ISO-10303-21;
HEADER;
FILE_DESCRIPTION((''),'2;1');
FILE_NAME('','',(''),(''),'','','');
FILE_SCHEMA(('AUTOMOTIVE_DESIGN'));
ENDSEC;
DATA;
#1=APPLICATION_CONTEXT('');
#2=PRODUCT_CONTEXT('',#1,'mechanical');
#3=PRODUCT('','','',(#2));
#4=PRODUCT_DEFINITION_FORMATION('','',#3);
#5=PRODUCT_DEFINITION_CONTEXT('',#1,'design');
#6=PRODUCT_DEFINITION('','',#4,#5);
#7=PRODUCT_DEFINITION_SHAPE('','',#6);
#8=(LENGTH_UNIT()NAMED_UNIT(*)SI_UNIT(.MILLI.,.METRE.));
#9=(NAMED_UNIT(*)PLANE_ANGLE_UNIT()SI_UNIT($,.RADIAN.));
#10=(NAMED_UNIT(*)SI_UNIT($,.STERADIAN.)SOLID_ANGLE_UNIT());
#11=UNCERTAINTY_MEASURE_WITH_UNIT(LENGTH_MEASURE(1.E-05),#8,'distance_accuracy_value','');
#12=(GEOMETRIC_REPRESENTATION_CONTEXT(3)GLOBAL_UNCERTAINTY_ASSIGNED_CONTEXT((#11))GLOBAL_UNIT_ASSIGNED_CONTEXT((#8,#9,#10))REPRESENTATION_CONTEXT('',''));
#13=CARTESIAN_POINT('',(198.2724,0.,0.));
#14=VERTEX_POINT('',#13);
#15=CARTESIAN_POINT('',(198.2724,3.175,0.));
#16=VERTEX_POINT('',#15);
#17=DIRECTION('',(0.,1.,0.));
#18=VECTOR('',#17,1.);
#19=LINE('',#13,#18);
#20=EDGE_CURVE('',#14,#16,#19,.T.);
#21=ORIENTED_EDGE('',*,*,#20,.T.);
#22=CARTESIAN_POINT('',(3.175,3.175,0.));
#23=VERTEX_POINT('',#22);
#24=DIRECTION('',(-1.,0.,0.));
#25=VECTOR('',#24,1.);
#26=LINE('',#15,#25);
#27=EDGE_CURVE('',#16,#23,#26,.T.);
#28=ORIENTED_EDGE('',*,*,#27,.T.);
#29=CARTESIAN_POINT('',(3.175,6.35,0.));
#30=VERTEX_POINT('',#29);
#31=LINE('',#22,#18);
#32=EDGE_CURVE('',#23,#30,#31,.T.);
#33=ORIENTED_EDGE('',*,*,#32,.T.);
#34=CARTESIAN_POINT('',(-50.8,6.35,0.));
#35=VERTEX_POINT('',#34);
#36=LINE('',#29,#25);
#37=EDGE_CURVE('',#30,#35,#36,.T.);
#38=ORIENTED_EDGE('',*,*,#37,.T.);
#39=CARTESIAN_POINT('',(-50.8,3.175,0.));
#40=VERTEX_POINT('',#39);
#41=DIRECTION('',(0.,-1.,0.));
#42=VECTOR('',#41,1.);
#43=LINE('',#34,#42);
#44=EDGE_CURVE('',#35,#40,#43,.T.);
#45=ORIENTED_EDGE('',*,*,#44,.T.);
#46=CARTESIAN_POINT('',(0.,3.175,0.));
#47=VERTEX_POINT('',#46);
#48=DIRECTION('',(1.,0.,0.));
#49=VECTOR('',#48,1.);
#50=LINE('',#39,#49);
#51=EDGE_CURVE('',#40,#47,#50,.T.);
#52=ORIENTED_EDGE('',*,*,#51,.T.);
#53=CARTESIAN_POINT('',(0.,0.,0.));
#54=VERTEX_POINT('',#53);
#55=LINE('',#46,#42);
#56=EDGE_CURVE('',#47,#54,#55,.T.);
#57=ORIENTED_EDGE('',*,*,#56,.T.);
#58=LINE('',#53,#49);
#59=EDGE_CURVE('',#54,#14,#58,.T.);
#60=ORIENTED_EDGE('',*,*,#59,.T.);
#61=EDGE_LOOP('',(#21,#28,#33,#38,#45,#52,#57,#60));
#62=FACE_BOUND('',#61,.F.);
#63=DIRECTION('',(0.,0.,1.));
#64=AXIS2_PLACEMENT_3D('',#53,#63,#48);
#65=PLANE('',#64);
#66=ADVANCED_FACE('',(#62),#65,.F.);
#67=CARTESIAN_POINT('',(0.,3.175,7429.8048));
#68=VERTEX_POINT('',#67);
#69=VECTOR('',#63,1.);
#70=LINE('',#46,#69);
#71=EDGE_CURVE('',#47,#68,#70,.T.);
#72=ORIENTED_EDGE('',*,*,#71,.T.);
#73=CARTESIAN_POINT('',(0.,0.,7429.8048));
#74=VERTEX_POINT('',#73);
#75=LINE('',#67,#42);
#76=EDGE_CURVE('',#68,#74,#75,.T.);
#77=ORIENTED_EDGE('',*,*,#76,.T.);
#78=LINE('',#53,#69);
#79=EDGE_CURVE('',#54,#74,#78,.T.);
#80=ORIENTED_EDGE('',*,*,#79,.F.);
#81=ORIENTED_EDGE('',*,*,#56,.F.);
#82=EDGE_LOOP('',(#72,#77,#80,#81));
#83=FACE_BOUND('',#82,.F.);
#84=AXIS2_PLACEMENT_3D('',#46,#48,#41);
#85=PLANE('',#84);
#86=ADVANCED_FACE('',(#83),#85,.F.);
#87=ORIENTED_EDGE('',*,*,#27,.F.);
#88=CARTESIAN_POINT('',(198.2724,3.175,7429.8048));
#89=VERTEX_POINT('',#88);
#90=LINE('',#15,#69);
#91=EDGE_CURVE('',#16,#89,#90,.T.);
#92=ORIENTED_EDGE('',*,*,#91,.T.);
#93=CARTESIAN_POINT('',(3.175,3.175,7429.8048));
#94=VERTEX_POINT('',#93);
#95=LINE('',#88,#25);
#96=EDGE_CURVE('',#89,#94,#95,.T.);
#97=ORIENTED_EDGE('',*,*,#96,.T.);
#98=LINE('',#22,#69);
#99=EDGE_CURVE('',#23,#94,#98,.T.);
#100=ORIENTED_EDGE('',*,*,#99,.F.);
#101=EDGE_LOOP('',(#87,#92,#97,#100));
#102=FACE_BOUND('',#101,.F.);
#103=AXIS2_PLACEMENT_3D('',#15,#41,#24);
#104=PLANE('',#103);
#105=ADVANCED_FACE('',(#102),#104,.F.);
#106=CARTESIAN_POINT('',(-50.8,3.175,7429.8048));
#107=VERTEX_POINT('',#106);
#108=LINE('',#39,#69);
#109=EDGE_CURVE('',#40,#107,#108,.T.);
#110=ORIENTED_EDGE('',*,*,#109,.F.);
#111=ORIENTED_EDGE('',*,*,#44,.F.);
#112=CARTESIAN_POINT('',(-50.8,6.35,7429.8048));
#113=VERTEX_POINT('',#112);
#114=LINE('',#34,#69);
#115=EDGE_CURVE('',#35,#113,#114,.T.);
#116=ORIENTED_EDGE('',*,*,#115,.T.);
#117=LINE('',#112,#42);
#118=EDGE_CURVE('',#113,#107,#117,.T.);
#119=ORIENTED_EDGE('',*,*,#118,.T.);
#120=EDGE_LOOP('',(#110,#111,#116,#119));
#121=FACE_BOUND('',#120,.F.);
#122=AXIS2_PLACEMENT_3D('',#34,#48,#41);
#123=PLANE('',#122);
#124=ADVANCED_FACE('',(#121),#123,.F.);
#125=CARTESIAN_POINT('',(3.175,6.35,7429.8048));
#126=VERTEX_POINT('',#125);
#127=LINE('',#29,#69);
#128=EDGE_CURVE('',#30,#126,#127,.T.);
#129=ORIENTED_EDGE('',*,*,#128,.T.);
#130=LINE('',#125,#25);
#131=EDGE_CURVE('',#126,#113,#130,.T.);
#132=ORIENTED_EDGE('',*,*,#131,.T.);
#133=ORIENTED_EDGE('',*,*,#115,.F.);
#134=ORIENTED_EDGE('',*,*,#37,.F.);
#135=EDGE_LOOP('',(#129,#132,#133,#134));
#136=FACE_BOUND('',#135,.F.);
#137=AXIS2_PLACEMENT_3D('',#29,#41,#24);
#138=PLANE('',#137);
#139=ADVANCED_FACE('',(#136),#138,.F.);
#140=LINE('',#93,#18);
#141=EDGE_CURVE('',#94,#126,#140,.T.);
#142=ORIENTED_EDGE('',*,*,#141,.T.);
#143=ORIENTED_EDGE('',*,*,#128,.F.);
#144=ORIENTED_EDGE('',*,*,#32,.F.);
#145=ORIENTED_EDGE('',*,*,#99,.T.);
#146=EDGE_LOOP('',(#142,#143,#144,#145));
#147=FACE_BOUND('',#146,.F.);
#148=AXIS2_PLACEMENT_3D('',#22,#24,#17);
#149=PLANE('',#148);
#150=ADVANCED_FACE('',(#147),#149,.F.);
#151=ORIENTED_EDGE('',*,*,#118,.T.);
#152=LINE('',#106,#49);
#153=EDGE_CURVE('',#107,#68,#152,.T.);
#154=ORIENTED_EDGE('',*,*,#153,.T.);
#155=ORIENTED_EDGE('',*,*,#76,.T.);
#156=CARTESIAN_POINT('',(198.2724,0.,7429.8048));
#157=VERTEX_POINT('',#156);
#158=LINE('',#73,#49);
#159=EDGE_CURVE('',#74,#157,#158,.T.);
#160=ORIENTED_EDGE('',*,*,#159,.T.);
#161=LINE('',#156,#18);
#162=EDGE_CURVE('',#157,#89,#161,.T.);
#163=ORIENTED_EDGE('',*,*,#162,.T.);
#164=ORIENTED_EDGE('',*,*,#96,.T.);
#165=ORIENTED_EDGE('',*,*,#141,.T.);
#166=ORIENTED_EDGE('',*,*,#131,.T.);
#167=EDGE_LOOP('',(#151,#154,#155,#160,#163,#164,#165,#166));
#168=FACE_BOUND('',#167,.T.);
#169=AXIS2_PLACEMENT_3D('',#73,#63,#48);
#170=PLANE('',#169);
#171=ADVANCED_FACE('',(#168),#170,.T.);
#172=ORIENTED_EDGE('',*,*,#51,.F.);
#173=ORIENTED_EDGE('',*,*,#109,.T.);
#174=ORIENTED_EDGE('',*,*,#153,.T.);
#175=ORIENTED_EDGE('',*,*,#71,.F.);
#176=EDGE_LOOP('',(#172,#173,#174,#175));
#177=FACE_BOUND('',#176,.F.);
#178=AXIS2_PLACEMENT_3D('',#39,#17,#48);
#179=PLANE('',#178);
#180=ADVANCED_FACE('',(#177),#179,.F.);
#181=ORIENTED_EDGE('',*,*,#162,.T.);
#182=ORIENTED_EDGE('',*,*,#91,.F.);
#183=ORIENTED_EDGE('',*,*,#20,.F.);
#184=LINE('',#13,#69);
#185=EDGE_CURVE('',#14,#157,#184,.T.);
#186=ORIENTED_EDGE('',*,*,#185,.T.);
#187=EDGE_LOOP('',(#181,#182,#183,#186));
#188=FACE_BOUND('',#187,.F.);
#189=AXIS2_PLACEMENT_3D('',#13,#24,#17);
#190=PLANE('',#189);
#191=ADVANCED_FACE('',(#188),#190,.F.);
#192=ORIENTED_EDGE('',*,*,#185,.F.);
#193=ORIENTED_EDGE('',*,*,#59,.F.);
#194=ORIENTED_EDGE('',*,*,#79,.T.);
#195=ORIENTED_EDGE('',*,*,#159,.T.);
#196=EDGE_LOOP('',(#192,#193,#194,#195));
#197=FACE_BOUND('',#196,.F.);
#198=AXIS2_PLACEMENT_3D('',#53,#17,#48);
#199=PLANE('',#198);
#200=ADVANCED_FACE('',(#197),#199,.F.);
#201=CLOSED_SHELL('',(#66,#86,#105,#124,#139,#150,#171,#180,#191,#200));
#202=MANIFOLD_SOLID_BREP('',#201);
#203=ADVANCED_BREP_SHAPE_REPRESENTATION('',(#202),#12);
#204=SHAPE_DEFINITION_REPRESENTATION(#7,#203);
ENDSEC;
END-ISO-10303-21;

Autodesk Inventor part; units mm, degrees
ref_plane "YZ Plane" through (0, 0, 0) normal (1, 0, 0) x (0, 1, 0)
ref_plane "XZ Plane" through (0, 0, 0) normal (0, 1, 0) x (-1, 0, 0)
ref_plane "XY Plane" through (0, 0, 0) normal (0, 0, 1) x (1, 0, 0)
sketch "Sketch1" plane through (0, 0, 0) normal (0, 0, 1) x (1, 0, 0)
  line L0 (0, 0) -> (198.2724, 0)
  line L1 (198.2724, 0) -> (198.2724, 3.175)
  line L2 (198.2724, 3.175) -> (3.175, 3.175)
  line L3 (3.175, 3.175) -> (3.175, 6.35)
  line L4 (3.175, 6.35) -> (-50.8, 6.35)
  line L5 (-50.8, 6.35) -> (-50.8, 3.175)
  line L6 (-50.8, 3.175) -> (0, 3.175)
  line L7 (0, 3.175) -> (0, 0)
  dimension "d0" = 50.8
  dimension "d1" = 3.175
  dimension "d2" = 3.175
  dimension "d3" = 3.175
  dimension "d4" = 3.175
  dimension "d10" = 198.2724
extrude "Extrusion2" add sketch "Sketch1" along normal blind 7429.8048
properties part number "Underlayment_Over_Underlayment_With_Width_11.373_Inches" material "Polypropylene"
